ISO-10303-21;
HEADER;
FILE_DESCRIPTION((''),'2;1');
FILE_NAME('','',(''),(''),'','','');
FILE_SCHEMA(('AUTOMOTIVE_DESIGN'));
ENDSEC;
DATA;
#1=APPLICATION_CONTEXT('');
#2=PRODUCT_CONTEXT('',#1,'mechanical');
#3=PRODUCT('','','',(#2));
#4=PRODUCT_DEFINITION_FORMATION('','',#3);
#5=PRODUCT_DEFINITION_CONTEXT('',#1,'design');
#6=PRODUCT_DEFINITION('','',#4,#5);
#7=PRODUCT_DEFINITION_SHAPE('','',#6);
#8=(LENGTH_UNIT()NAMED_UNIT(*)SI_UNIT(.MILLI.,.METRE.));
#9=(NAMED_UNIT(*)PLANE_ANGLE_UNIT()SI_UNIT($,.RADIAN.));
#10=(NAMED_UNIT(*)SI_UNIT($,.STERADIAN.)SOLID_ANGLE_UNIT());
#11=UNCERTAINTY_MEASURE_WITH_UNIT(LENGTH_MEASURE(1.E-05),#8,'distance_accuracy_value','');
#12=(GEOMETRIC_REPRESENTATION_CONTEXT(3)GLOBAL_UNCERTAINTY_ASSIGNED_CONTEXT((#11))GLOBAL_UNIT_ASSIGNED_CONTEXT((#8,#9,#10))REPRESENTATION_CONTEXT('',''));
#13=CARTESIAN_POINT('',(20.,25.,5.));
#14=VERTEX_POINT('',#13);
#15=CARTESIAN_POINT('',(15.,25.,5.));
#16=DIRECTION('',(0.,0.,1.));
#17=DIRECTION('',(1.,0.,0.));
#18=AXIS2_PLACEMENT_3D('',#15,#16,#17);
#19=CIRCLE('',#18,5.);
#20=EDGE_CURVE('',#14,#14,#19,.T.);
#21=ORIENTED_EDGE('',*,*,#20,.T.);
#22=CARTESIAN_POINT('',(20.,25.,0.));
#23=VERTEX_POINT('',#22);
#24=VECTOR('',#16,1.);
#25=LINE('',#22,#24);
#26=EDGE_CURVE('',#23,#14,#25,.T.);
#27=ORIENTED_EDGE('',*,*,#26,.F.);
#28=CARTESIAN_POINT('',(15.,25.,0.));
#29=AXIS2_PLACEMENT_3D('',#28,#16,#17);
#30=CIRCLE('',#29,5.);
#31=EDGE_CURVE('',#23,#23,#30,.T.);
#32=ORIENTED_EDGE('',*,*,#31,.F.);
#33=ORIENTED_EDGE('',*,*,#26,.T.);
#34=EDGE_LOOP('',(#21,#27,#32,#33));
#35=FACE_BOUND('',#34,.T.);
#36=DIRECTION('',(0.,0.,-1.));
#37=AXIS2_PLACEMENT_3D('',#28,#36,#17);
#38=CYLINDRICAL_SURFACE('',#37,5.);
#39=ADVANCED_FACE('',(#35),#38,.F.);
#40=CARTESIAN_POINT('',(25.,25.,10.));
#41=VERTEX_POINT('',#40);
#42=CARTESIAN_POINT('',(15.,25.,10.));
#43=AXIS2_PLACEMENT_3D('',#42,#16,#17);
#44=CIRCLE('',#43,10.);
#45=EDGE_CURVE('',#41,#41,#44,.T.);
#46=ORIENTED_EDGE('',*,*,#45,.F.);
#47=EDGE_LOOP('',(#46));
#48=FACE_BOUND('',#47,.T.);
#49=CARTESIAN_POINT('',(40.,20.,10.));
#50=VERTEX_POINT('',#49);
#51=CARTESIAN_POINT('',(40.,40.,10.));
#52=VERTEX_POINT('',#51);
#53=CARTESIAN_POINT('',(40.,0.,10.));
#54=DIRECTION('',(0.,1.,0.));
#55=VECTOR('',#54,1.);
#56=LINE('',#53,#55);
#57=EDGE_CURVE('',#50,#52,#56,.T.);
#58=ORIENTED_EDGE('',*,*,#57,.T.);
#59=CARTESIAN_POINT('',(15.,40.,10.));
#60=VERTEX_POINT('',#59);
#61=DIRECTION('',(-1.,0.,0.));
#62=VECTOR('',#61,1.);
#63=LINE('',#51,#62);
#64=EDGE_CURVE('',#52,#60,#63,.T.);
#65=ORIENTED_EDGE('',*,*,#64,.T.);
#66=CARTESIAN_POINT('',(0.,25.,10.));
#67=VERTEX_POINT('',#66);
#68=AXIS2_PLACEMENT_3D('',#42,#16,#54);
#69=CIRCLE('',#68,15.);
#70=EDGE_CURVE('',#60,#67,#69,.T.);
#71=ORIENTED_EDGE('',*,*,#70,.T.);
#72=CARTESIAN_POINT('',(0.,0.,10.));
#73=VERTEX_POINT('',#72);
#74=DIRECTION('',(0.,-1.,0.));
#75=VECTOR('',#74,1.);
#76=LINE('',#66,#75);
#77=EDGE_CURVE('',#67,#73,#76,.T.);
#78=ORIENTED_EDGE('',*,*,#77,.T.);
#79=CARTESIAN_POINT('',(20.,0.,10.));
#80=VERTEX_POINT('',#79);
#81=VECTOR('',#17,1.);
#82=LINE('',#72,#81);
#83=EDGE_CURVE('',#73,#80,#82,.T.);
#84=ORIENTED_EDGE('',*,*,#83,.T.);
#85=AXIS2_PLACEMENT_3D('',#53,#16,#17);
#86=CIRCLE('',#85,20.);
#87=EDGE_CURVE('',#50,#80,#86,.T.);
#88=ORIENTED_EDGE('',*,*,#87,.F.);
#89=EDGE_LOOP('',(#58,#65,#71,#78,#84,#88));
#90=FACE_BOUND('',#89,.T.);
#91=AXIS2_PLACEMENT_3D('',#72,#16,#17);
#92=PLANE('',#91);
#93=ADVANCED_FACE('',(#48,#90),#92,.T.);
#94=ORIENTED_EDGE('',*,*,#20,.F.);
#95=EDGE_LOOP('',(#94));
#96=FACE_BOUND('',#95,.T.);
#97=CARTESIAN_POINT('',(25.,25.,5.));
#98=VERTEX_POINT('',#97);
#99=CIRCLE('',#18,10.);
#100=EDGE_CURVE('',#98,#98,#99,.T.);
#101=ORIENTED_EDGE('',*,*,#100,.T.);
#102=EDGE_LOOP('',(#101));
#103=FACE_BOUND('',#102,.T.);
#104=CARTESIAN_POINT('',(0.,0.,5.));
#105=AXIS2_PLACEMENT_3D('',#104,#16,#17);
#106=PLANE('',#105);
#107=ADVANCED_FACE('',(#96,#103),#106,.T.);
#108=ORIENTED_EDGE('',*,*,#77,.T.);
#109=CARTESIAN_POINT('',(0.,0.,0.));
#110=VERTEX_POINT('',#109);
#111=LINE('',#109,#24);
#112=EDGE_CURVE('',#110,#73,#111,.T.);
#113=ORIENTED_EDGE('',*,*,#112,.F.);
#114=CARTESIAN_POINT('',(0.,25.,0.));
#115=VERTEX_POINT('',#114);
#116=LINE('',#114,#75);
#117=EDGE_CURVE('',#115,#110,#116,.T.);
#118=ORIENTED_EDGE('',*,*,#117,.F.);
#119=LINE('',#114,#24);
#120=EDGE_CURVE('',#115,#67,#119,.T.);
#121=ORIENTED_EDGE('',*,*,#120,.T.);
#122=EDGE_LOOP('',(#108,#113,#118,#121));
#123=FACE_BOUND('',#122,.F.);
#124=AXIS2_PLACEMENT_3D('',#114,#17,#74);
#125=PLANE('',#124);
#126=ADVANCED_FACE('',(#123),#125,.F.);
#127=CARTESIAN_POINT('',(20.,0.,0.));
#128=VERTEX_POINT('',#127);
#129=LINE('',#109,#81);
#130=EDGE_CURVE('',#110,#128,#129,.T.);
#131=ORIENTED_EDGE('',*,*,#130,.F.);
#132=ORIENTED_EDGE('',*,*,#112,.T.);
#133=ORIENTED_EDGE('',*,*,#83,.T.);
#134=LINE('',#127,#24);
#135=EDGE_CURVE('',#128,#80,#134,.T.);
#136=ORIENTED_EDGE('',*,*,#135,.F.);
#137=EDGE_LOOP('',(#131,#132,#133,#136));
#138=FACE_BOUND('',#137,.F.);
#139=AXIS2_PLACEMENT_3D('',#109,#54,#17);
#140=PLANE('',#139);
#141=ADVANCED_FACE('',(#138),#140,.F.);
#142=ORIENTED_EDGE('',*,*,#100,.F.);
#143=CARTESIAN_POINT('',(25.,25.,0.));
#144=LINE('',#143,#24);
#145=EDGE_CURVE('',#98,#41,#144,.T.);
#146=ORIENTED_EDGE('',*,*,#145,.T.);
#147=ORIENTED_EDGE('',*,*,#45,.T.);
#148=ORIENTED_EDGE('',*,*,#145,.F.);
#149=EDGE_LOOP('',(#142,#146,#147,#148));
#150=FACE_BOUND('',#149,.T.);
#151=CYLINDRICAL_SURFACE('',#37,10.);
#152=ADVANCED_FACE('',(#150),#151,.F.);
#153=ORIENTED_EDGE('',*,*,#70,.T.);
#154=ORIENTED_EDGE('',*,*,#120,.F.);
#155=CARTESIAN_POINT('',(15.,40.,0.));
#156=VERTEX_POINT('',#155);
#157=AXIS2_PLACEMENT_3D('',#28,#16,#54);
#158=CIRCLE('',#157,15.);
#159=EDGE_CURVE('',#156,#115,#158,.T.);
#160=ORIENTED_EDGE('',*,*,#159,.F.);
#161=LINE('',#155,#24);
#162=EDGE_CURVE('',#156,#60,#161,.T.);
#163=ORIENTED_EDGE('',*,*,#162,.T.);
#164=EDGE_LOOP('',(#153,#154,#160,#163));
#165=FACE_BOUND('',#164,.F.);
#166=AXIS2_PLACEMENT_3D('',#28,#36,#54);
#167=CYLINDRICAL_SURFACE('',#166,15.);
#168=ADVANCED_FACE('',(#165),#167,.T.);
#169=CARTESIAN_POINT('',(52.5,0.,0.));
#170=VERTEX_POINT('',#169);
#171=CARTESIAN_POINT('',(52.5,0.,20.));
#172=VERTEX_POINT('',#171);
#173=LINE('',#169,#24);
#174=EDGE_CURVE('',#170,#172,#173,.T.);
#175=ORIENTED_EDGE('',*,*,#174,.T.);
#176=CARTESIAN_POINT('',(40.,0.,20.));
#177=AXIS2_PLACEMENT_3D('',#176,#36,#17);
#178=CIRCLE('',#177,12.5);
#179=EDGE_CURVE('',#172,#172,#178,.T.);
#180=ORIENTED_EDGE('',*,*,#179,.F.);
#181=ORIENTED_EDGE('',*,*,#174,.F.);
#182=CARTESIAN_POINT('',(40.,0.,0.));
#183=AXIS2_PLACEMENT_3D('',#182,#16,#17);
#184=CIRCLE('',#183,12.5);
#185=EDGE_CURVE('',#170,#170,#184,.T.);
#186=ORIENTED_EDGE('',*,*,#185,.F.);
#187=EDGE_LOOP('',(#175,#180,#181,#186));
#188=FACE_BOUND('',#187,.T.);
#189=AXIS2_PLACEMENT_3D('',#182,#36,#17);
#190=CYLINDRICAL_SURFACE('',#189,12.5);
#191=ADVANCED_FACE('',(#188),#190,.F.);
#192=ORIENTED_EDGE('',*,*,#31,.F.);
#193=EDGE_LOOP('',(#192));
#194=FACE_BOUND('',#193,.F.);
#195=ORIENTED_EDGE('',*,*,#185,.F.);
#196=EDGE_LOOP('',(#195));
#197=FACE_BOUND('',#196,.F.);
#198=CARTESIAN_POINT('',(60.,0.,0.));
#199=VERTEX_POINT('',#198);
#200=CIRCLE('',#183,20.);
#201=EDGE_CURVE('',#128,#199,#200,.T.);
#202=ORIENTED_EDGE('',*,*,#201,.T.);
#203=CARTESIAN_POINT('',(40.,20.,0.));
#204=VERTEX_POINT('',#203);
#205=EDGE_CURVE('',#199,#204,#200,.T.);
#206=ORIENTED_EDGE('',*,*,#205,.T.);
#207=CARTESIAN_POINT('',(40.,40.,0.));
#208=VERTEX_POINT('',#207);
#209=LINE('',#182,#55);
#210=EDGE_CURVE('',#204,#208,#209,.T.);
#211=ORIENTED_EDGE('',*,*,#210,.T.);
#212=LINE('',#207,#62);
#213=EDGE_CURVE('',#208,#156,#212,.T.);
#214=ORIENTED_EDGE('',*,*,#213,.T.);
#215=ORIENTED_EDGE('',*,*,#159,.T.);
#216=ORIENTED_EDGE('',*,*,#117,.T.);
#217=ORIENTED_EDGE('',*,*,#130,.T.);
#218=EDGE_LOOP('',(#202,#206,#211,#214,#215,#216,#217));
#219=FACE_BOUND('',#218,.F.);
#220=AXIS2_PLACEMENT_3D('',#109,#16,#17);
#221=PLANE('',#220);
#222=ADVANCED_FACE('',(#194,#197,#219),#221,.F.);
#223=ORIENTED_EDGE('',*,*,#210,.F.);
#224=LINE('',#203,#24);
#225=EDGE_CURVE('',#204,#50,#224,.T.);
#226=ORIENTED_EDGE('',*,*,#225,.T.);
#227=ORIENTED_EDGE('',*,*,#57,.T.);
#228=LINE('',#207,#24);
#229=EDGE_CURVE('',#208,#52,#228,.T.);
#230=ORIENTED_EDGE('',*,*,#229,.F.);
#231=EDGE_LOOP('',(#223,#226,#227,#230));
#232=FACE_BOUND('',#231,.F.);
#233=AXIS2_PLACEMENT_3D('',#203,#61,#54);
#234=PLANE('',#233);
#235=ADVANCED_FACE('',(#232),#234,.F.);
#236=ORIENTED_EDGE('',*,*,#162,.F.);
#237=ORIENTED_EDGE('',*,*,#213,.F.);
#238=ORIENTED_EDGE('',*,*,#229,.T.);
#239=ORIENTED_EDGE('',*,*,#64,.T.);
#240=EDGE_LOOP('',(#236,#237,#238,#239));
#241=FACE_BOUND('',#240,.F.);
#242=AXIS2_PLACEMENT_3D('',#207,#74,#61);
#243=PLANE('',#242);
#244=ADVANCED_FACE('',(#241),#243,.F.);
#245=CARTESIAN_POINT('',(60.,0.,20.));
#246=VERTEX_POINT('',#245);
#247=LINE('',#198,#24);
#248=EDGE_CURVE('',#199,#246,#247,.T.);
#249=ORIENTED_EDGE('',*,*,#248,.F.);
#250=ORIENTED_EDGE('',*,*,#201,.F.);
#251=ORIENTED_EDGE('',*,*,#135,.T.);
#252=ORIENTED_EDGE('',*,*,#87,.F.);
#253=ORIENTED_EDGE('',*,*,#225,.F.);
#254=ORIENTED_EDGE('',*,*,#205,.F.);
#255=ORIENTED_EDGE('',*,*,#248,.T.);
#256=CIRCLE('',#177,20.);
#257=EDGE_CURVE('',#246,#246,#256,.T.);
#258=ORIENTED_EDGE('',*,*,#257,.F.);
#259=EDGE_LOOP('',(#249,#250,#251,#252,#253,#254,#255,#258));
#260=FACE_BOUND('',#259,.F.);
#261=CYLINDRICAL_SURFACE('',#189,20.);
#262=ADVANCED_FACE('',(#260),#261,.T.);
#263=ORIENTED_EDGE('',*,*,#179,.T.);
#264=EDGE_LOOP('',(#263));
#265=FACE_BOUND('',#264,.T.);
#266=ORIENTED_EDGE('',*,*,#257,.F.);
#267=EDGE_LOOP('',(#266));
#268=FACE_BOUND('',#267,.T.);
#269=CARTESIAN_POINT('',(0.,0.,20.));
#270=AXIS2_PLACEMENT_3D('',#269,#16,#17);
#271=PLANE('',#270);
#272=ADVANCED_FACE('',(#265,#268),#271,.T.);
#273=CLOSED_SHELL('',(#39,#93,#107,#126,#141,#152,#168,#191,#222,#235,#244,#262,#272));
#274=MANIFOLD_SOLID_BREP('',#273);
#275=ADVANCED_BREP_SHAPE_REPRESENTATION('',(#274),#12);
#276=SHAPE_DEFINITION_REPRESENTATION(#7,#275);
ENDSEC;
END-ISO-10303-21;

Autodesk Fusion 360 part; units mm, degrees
sketch "스케치1" plane through (0, 0, 0) normal (0, 0, 1) x (1, 0, 0)
  line L0 (0, 0) -> (40, 0)
  line L1 (40, 0) -> (40, 40)
  line L2 (40, 40) -> (15, 40)
  line L3 (0, 25) -> (0, 0)
  circle A0 centre (40, 0) radius 20
  circle A1 centre (40, 0) radius 12.5
  arc A2 (15, 40) -> (0, 25) centre (15, 25) ccw
  circle A3 centre (15, 25) radius 10
  circle A4 centre (15, 25) radius 5
  point P0 (0, 40)
  dimension "d1" = 40
  dimension "d2" = 40
  dimension "d3" = 40
  dimension "d4" = 25
  dimension "d5" = 15
  dimension "d6" = 20
  dimension "d7" = 10
extrude "돌출4" add sketch "스케치1" along normal blind 20 contours L0 L1 A0 A1 | L0 L1 A0 A1
extrude "돌출5" add sketch "스케치1" along normal blind 10 contours L0 L1 L2 L3 A0 A2
extrude "돌출6" add sketch "스케치1" along normal blind 5 contours A3
